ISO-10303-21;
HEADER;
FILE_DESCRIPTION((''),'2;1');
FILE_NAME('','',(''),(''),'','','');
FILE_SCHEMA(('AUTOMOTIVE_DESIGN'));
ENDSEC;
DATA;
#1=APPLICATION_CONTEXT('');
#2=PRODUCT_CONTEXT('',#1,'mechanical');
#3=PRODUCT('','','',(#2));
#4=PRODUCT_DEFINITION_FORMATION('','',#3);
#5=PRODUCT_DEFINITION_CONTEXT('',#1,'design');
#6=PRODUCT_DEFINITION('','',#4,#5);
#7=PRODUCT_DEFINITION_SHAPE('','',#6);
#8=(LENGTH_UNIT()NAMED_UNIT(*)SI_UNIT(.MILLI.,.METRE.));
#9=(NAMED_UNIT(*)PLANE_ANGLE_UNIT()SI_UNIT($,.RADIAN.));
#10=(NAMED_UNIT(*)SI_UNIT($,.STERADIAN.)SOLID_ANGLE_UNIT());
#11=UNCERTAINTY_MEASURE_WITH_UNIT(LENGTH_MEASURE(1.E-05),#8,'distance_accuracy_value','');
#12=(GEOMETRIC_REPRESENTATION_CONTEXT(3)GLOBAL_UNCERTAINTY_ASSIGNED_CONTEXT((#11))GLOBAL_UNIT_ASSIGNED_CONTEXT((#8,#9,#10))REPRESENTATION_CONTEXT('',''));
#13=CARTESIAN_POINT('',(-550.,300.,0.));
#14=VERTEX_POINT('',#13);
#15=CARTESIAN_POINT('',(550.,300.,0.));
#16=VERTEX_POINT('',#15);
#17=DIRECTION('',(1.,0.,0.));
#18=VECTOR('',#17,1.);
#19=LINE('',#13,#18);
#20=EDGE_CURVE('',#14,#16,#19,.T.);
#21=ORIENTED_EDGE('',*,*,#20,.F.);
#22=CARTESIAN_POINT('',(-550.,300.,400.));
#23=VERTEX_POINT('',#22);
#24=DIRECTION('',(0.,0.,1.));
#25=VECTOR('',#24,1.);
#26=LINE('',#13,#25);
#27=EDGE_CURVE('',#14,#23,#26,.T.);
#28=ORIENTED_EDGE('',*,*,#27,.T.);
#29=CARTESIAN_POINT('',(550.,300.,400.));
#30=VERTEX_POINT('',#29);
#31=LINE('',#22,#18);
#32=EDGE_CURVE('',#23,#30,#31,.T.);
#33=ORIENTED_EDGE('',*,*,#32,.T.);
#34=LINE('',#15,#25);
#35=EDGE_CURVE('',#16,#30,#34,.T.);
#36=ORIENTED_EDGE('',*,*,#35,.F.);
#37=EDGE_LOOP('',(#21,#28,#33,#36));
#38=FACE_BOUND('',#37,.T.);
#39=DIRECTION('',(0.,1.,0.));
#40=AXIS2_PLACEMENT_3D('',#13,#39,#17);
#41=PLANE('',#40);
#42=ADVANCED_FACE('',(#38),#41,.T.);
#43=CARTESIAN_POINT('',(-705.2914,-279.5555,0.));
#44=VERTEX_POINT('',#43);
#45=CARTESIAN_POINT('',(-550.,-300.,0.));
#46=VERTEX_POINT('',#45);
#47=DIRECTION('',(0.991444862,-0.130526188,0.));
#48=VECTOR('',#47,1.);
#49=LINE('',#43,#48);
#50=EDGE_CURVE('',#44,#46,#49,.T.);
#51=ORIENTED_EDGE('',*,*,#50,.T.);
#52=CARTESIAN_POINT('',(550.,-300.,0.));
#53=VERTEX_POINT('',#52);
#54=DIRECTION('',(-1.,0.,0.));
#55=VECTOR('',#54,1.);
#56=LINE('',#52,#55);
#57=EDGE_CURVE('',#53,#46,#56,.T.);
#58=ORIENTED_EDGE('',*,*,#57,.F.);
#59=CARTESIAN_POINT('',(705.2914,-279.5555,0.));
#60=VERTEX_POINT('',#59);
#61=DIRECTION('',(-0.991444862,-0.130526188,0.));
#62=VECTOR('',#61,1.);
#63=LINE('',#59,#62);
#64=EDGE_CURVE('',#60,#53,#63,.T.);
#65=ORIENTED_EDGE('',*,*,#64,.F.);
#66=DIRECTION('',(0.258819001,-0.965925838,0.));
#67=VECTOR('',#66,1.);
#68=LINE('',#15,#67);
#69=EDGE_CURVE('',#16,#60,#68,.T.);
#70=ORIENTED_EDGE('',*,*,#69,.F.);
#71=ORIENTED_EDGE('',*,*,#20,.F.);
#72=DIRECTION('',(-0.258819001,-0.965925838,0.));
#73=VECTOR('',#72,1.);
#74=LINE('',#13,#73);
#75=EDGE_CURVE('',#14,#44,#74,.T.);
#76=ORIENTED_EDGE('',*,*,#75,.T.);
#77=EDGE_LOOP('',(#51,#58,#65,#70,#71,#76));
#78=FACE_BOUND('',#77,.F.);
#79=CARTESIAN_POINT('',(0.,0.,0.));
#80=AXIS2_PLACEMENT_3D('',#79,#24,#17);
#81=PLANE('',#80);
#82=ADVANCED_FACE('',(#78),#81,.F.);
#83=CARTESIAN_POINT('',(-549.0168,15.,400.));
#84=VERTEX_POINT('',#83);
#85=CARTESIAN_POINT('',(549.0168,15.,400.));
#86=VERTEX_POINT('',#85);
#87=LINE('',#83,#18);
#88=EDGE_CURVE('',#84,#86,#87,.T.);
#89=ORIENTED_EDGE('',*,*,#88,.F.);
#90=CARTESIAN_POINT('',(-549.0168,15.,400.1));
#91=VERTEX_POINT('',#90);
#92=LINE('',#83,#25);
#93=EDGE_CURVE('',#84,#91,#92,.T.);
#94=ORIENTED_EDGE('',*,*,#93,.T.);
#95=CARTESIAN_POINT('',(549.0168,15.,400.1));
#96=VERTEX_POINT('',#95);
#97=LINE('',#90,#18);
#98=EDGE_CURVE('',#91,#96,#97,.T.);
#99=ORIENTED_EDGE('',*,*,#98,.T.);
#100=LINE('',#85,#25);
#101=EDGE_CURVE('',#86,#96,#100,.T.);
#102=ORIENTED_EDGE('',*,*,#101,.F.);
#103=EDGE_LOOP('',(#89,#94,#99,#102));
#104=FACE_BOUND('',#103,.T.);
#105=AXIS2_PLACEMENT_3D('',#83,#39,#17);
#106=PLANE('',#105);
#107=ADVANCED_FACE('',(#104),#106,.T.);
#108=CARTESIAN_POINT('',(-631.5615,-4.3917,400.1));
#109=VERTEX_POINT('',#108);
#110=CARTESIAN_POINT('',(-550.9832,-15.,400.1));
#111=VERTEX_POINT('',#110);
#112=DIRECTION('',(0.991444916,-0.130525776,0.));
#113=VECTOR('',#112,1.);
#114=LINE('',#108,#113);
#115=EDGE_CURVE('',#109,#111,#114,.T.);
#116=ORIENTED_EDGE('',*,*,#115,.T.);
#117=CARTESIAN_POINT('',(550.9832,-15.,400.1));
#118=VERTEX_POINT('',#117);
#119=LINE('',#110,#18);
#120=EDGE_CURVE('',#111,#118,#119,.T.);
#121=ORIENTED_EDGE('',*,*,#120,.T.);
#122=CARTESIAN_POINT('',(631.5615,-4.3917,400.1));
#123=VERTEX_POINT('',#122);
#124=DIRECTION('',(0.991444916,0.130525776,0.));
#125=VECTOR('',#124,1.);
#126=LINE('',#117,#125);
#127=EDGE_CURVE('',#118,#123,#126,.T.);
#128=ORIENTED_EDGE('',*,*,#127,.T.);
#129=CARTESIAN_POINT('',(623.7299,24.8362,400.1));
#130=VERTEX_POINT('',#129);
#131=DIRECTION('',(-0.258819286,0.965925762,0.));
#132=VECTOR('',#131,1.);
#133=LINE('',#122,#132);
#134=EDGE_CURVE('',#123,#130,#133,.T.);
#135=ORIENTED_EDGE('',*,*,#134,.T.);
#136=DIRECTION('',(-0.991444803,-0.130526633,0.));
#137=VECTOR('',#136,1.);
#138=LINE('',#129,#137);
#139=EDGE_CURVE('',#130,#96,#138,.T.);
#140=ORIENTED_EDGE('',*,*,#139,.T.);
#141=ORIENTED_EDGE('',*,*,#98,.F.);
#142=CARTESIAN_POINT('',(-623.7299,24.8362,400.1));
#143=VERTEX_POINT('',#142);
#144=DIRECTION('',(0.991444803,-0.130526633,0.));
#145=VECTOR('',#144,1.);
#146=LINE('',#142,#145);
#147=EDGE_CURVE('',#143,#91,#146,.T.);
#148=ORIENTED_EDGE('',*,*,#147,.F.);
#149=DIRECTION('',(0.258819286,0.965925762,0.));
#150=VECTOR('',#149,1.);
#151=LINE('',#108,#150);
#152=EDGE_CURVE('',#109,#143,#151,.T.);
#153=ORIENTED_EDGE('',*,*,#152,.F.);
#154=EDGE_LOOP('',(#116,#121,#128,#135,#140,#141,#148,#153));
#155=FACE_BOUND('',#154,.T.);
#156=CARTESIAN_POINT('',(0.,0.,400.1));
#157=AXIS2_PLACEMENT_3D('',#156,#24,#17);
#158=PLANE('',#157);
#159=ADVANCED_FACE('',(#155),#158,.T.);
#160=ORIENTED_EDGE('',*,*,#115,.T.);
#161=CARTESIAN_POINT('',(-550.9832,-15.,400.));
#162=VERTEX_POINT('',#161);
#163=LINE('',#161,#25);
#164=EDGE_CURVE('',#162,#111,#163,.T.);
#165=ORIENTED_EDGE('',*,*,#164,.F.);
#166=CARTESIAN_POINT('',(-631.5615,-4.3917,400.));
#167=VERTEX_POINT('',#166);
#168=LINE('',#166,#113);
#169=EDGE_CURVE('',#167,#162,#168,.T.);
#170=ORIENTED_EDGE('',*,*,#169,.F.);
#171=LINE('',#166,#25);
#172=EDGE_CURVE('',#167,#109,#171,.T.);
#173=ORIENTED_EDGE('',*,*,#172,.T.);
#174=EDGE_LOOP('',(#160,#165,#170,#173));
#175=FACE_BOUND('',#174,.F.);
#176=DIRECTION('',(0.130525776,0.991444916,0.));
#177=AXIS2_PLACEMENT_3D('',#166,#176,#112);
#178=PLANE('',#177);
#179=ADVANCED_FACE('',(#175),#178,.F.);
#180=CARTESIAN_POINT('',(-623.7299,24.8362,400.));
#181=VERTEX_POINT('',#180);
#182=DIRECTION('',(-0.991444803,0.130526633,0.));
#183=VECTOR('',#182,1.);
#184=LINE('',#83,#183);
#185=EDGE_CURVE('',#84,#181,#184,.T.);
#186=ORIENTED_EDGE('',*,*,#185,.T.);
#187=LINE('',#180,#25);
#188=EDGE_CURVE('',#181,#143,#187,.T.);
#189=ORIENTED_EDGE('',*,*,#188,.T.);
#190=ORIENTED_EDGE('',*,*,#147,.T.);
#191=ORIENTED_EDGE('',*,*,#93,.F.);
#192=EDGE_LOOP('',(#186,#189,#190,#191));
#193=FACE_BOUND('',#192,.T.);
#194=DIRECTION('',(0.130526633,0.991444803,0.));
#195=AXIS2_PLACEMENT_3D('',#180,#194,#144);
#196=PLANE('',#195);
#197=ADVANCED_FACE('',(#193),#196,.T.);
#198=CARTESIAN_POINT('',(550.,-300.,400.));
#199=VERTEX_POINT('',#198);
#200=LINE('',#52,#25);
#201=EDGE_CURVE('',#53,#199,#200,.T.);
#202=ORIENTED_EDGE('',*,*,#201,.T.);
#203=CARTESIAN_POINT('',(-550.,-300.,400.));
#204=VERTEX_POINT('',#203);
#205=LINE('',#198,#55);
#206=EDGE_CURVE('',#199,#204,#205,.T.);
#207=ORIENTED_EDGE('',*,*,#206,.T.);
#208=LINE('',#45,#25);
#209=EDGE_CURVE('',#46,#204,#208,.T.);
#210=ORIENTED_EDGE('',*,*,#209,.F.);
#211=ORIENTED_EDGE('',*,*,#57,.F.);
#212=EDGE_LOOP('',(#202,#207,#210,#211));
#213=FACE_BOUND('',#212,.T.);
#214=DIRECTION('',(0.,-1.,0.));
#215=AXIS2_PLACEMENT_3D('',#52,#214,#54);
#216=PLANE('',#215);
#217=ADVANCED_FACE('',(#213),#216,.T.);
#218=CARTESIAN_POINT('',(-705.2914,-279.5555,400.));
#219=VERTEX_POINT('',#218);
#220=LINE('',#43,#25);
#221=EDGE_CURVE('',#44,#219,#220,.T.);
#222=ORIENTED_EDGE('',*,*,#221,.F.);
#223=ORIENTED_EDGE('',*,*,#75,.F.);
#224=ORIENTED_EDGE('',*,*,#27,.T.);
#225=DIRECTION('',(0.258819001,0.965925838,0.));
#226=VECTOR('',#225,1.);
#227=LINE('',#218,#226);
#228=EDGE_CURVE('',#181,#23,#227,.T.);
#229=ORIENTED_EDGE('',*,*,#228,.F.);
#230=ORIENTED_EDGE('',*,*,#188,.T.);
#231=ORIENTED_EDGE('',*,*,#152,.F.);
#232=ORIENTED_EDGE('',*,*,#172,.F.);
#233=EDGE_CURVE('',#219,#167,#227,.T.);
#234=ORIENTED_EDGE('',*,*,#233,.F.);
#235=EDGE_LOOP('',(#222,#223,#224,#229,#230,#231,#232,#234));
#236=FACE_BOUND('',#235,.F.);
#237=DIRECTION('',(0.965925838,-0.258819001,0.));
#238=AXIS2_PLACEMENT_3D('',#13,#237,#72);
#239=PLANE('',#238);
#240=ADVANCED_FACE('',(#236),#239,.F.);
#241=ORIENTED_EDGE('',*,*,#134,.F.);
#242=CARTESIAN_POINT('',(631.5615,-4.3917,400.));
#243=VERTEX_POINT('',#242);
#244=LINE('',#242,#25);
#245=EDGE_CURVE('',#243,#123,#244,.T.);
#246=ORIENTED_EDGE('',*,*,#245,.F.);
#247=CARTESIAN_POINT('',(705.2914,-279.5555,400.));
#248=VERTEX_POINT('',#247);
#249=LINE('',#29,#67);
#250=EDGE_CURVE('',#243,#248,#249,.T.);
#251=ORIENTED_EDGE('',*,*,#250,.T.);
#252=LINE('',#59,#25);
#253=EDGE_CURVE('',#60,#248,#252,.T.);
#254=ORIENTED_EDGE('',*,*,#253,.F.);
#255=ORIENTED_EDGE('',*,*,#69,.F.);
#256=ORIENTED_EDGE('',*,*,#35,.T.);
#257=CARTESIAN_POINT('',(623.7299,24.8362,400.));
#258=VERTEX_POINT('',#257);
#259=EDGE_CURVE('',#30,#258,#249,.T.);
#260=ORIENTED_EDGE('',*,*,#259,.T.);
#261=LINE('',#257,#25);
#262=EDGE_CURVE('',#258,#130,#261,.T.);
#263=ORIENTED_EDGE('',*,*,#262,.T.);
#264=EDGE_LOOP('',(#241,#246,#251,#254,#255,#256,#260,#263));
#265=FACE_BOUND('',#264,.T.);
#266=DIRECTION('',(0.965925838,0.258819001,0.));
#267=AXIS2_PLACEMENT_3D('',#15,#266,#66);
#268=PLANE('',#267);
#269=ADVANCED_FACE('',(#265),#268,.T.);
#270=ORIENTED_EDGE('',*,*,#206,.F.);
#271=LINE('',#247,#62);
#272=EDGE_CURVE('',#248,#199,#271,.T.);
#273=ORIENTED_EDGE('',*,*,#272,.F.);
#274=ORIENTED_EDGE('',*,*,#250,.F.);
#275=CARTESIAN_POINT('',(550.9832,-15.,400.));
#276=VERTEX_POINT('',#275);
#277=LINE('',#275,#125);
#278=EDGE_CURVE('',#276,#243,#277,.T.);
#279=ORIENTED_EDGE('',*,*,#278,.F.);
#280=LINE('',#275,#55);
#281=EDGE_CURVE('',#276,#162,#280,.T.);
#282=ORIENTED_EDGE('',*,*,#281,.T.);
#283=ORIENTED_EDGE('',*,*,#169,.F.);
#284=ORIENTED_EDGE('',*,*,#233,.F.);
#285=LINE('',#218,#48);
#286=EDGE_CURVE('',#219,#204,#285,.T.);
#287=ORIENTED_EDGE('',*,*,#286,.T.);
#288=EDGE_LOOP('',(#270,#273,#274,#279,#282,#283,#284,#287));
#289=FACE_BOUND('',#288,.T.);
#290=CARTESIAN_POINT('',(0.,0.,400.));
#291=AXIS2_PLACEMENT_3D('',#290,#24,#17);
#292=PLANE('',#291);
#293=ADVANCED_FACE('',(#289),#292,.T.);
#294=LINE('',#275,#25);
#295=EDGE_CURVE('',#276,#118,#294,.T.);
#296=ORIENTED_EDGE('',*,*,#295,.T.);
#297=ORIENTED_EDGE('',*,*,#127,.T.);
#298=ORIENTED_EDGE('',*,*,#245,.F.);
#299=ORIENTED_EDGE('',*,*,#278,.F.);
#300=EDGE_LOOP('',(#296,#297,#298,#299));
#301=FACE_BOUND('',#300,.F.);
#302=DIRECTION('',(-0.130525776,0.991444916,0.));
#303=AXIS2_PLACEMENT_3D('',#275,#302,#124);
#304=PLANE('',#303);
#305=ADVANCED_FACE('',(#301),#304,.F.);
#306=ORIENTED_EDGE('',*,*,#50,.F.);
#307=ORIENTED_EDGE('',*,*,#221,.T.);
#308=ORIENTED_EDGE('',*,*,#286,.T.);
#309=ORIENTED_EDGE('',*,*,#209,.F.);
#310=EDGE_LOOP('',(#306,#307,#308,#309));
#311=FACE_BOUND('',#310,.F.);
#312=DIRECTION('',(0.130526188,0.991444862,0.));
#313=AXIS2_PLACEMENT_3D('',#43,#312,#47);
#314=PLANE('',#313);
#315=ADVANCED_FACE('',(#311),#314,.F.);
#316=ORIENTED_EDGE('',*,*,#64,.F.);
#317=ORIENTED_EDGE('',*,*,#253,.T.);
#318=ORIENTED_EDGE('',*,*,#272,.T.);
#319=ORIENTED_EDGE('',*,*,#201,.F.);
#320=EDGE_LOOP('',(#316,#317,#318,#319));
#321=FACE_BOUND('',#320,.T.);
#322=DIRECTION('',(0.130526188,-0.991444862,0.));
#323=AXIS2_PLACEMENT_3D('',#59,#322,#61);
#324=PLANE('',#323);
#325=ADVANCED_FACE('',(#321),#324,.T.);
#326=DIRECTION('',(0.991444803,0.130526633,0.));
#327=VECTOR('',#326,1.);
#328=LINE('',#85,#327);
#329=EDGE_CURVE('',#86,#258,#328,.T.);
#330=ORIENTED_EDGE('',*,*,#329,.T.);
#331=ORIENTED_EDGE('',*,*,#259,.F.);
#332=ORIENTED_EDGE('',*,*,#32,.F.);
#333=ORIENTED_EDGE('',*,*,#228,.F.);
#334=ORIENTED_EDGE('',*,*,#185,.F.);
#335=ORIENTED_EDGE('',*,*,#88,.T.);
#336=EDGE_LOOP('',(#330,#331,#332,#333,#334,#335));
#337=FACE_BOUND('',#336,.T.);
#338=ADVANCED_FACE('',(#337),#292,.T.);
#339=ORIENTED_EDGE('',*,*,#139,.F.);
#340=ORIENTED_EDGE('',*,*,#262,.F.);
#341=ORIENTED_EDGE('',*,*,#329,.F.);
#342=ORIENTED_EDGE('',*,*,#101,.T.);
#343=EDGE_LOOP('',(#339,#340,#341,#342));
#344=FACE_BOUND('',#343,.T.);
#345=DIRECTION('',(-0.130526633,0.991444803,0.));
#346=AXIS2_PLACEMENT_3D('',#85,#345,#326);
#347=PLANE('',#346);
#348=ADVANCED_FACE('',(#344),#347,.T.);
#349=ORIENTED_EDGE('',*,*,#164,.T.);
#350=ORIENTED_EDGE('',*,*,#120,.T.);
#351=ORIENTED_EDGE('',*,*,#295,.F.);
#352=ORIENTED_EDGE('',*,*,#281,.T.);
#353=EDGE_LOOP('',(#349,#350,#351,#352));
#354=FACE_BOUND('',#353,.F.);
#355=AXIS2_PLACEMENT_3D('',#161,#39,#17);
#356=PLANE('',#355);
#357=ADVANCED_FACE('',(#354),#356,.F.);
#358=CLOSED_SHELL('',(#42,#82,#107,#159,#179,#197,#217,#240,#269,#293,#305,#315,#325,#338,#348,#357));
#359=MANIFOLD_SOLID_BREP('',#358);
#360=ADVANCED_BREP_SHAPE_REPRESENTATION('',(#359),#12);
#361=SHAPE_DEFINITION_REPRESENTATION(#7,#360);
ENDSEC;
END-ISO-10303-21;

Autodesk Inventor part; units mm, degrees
ref_plane "YZ Plane" through (0, 0, 0) normal (1, 0, 0) x (0, 1, 0)
ref_plane "XZ Plane" through (0, 0, 0) normal (0, 1, 0) x (-1, 0, 0)
ref_plane "XY Plane" through (0, 0, 0) normal (0, 0, 1) x (1, 0, 0)
sketch "スケッチ1" plane through (0, 0, 0) normal (0, 0, 1) x (1, 0, 0)
  line L0 (-550, 300) -> (550, 300)
  line L1 (550, 300) -> (550, -300)
  line L2 (550, -300) -> (-550, -300)
  line L3 (-550, -300) -> (-550, 300)
  line L4 (-550, 300) -> (-705.2914, -279.5555)
  line L5 (-705.2914, -279.5555) -> (-550, -300)
  line L6 (-550, 0) -> (-627.6457, 10.2223)
  line L7 (550, 300) -> (705.2914, -279.5555)
  line L8 (705.2914, -279.5555) -> (550, -300)
  point P0 (0, 0)
  point P1 (0, 300)
  point P2 (550, 0)
  dimension "d0" = 600
  dimension "d1" = 1100
  dimension "d2" = 15
  dimension "d3" = 600
  dimension "d4" = 600
  dimension "d5" = 15
extrude "押し出し1" add sketch "スケッチ1" along normal blind 400
sketch "スケッチ2" plane through (0, 0, 400) normal (0, 0, 1) x (1, 0, 0)
  line L0 (-550, 300) -> (-705.2914, -279.5555) projected
  line L1 (705.2914, -279.5555) -> (550, 300) projected
  line L2 (550, 300) -> (-550, 300) projected
  line L3 (-550, 300) -> (-550, -300)
  line L4 (550, -300) -> (550, 300)
  line L5 (-627.6457, 10.2223) -> (-550, 0)
  line L6 (550, 0) -> (-550, 0)
  line L7 (550, 0) -> (627.6457, 10.2223)
  line L8 (-631.5615, -4.3917) -> (-550.9832, -15)
  line L9 (-550.9832, -15) -> (550.9832, -15)
  line L10 (550.9832, -15) -> (631.5615, -4.3917)
  line L11 (-623.7299, 24.8362) -> (-549.0168, 15)
  line L12 (-549.0168, 15) -> (549.0168, 15)
  line L13 (549.0168, 15) -> (623.7299, 24.8362)
  line L14 (631.5615, -4.3917) -> (623.7299, 24.8362)
  line L15 (-631.5615, -4.3917) -> (-623.7299, 24.8362)
  point P0 (0, 0)
  dimension "d8" = 15
  dimension "d10" = 15
  dimension "d11" = 30
  dimension "d12" = 15
  dimension "d13" = 30
  dimension "d14" = 15
extrude "押し出し2" add sketch "スケッチ2" along normal blind 0.1 contours L11 L3 L5 L0 | L11 L12 L13 L4 L6 L3 | L5 L3 L9 L8 L0 | L1 L7 L4 L13 | L6 L4 L9 L3 | L1 L10 L9 L4 L7
properties part number "Hill 2"
